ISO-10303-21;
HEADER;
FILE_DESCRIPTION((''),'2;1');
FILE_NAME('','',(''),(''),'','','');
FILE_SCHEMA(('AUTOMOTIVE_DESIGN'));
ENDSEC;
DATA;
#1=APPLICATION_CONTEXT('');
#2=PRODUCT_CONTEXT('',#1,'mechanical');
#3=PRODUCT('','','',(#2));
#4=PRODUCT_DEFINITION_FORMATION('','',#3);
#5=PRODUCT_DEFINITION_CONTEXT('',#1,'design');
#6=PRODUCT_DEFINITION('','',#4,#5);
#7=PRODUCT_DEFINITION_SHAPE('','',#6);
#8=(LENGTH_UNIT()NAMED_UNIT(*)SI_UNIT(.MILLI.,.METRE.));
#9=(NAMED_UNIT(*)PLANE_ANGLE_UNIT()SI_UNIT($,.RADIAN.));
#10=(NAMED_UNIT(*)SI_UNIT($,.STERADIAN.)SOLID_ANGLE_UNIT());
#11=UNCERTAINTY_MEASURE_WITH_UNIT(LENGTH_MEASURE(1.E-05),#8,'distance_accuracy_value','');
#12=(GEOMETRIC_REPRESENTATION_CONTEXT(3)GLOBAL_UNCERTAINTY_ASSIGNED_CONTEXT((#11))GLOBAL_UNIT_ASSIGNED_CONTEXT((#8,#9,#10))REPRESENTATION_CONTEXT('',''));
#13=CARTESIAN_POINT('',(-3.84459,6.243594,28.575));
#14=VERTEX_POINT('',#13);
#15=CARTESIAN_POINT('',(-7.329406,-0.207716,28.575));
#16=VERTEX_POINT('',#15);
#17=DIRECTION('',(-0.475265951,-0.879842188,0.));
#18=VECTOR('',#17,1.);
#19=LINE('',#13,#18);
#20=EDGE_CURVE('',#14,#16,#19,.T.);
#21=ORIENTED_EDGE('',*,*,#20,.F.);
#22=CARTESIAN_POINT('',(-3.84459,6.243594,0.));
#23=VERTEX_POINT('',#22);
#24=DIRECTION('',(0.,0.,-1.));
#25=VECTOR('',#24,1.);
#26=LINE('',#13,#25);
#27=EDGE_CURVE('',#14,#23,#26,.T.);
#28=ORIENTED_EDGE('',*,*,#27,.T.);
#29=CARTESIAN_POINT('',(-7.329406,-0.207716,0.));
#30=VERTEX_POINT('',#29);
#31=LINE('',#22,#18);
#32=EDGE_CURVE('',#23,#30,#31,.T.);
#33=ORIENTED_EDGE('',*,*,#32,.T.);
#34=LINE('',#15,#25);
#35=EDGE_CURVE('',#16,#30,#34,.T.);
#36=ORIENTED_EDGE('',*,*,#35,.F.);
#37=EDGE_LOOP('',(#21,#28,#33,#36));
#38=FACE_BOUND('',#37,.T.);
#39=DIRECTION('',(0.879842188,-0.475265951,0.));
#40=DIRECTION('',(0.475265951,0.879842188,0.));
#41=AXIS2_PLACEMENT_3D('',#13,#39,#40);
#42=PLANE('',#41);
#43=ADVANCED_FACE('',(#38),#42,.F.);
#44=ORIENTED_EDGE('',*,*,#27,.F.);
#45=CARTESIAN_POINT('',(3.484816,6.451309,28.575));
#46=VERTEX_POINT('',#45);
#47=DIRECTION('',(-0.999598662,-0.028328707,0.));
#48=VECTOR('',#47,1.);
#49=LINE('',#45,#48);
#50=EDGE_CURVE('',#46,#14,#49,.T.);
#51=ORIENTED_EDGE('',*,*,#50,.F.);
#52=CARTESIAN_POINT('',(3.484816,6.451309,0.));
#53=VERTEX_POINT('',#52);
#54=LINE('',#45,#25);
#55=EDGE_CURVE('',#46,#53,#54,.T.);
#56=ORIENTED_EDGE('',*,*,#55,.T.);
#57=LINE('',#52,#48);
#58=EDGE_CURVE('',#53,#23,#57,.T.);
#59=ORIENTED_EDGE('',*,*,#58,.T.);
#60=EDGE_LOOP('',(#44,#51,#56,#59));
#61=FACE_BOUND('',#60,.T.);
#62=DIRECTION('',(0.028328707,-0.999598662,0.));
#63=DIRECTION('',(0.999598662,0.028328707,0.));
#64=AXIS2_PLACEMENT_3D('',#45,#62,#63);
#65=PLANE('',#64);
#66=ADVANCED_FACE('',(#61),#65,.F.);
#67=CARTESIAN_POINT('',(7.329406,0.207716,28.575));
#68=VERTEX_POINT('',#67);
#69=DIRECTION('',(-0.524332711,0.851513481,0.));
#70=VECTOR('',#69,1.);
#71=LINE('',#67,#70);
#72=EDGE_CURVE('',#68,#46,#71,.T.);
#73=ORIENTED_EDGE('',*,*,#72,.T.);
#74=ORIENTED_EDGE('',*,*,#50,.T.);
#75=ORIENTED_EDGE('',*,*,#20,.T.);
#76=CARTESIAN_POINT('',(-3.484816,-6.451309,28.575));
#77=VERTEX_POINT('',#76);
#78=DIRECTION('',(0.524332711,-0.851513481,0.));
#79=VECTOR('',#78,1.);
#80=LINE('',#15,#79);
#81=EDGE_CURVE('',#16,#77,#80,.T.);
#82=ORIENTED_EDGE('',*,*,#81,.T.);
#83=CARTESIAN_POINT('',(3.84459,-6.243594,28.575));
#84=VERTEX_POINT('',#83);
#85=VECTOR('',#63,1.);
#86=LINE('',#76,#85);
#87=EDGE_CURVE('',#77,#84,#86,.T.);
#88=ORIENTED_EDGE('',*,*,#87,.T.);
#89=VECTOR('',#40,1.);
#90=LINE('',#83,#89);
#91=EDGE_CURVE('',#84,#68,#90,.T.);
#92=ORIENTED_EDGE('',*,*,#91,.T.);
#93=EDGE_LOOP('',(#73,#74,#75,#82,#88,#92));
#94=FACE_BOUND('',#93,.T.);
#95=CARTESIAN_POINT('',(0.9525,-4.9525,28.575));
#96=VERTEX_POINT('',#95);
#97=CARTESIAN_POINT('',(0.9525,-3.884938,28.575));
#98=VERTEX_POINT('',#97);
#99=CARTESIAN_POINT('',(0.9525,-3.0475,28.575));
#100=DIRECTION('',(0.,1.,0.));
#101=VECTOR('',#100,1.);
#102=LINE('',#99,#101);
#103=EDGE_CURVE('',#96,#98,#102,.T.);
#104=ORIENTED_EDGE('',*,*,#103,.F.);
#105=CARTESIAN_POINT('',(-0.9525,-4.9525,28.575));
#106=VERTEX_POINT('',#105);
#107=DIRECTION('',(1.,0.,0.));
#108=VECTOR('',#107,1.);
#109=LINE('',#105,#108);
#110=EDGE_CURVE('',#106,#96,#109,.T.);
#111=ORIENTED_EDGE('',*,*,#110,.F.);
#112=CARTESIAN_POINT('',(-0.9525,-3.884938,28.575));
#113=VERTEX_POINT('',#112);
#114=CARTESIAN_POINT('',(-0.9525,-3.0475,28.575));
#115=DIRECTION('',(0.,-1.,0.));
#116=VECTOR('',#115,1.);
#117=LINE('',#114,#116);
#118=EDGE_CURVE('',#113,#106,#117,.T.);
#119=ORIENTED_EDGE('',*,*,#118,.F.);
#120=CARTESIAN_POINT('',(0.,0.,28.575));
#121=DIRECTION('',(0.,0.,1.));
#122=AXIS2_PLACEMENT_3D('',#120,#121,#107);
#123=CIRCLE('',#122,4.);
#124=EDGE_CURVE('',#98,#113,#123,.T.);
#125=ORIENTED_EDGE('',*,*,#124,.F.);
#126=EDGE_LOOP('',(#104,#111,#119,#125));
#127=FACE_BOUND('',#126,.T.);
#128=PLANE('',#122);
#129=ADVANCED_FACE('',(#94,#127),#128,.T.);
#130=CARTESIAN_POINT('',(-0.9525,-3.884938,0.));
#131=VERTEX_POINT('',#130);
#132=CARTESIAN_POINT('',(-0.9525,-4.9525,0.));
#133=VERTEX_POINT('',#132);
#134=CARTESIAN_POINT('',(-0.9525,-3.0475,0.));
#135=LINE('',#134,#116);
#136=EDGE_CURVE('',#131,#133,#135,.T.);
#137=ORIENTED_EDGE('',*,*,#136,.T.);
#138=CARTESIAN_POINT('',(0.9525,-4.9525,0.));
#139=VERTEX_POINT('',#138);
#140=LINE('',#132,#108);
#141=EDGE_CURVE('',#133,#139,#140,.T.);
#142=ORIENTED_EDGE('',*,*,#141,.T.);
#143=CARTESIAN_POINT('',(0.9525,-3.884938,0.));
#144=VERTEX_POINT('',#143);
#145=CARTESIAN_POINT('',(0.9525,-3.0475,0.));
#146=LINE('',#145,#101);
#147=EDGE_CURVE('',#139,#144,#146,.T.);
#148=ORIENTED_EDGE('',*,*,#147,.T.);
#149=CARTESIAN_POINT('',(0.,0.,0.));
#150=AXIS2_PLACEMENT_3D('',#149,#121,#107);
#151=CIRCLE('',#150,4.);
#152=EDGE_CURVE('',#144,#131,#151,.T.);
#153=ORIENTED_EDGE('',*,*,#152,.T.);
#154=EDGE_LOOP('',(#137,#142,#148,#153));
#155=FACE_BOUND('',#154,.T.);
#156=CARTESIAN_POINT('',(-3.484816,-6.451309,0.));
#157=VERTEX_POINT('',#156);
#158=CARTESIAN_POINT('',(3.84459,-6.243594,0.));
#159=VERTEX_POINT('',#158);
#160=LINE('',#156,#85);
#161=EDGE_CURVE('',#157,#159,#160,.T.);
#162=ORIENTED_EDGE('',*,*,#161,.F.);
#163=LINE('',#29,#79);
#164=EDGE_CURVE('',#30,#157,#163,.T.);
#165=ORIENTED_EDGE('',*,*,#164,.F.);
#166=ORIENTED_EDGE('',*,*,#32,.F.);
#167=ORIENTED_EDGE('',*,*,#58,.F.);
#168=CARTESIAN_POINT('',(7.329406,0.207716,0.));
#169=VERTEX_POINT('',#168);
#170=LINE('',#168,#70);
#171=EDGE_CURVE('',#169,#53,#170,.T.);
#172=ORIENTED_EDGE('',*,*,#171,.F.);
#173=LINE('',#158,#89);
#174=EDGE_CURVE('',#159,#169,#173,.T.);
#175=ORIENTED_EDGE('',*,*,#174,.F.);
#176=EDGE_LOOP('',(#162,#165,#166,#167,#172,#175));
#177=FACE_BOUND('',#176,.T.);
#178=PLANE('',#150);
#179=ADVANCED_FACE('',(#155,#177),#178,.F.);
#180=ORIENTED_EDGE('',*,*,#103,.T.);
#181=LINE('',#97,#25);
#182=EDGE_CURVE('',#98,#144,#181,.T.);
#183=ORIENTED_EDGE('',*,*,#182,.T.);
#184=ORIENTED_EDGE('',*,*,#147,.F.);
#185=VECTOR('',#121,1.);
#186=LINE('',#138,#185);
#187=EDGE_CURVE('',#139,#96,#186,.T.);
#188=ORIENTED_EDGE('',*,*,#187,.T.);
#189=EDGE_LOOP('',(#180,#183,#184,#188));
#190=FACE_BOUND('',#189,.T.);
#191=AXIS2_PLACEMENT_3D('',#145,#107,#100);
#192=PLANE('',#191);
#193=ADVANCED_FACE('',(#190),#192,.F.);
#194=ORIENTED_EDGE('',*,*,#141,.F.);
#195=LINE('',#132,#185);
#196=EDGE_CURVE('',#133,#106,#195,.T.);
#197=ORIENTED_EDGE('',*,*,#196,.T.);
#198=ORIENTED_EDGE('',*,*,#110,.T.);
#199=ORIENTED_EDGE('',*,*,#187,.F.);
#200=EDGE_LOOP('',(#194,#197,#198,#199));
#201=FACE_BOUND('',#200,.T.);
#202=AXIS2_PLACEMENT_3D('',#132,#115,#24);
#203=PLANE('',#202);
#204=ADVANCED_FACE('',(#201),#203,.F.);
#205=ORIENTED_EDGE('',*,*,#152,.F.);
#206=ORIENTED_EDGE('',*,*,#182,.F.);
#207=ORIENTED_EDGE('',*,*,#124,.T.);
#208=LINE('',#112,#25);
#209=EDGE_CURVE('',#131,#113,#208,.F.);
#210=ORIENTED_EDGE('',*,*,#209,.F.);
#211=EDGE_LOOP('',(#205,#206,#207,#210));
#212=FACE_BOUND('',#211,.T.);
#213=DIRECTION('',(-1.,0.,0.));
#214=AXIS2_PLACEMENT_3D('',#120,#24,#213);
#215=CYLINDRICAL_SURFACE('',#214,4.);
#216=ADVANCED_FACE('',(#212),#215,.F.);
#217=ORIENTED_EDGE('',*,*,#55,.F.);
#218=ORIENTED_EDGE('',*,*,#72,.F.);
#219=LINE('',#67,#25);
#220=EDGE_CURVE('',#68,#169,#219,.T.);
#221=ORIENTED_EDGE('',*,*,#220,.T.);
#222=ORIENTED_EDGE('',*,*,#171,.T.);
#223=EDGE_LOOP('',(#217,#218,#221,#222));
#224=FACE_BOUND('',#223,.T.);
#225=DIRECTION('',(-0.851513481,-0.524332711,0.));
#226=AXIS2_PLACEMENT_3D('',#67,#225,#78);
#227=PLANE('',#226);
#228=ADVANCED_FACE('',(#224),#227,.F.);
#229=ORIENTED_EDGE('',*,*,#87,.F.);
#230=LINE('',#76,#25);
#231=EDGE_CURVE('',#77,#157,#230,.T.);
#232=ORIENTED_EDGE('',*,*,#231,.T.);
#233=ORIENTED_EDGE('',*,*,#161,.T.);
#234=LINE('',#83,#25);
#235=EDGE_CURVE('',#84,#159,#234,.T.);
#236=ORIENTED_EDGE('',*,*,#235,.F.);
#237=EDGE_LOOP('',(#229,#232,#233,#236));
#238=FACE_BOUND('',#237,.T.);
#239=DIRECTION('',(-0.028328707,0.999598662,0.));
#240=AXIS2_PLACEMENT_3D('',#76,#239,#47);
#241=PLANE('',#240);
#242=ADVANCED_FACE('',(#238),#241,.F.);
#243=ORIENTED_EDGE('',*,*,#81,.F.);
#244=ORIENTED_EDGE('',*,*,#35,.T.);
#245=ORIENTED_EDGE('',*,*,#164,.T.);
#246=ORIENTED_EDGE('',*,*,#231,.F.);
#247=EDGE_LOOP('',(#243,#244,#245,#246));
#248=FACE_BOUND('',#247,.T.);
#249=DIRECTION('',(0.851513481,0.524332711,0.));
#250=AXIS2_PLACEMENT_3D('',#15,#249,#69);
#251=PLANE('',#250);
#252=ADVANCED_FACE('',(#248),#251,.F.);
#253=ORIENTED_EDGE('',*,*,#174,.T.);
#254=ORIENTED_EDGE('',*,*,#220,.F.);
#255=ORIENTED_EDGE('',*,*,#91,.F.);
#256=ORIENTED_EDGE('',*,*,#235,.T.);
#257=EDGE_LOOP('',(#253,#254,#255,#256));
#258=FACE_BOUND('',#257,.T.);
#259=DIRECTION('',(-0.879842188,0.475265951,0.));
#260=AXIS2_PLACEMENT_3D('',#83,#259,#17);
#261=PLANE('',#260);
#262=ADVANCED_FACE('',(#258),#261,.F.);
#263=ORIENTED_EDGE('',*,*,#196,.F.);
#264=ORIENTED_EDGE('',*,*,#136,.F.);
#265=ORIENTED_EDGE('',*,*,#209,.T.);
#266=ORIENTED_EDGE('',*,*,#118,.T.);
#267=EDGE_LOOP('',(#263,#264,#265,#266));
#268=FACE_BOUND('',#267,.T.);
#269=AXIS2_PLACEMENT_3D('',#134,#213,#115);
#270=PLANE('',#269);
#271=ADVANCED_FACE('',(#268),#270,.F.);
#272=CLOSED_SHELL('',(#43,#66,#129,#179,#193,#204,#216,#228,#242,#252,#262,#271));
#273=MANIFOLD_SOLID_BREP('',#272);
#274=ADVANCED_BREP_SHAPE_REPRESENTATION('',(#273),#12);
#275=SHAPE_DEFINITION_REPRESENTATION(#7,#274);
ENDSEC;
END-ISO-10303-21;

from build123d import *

# Parameters (mm, degrees)
SKETCH1_R           = 4
BOSS_EXTRUDE1_DEPTH = 28.575
SKETCH2_W           = 1.905
SKETCH2_H           = 1.905
CUT_EXTRUDE1_DEPTH  = 29.575


with BuildPart() as part:
    # Sketch1 → Boss-Extrude1 (new body)
    with BuildSketch(Plane.XY):
        Polygon((-7.329405666, -0.20771595), (-3.484815544, -6.451309476), (3.844590123, -6.243593526), (7.329405666, 0.20771595), (3.484815544, 6.451309476), (-3.844590123, 6.243593526), align=None)
        Circle(SKETCH1_R, mode=Mode.SUBTRACT)
    extrude(amount=BOSS_EXTRUDE1_DEPTH)

    # Sketch2 → Cut-Extrude1 (cut, through all)
    with BuildSketch(Plane.XY.offset(28.575)):
        with Locations((0, -4)):
            Rectangle(SKETCH2_W, SKETCH2_H)
    extrude(amount=-CUT_EXTRUDE1_DEPTH, mode=Mode.SUBTRACT)


solid = part.part
